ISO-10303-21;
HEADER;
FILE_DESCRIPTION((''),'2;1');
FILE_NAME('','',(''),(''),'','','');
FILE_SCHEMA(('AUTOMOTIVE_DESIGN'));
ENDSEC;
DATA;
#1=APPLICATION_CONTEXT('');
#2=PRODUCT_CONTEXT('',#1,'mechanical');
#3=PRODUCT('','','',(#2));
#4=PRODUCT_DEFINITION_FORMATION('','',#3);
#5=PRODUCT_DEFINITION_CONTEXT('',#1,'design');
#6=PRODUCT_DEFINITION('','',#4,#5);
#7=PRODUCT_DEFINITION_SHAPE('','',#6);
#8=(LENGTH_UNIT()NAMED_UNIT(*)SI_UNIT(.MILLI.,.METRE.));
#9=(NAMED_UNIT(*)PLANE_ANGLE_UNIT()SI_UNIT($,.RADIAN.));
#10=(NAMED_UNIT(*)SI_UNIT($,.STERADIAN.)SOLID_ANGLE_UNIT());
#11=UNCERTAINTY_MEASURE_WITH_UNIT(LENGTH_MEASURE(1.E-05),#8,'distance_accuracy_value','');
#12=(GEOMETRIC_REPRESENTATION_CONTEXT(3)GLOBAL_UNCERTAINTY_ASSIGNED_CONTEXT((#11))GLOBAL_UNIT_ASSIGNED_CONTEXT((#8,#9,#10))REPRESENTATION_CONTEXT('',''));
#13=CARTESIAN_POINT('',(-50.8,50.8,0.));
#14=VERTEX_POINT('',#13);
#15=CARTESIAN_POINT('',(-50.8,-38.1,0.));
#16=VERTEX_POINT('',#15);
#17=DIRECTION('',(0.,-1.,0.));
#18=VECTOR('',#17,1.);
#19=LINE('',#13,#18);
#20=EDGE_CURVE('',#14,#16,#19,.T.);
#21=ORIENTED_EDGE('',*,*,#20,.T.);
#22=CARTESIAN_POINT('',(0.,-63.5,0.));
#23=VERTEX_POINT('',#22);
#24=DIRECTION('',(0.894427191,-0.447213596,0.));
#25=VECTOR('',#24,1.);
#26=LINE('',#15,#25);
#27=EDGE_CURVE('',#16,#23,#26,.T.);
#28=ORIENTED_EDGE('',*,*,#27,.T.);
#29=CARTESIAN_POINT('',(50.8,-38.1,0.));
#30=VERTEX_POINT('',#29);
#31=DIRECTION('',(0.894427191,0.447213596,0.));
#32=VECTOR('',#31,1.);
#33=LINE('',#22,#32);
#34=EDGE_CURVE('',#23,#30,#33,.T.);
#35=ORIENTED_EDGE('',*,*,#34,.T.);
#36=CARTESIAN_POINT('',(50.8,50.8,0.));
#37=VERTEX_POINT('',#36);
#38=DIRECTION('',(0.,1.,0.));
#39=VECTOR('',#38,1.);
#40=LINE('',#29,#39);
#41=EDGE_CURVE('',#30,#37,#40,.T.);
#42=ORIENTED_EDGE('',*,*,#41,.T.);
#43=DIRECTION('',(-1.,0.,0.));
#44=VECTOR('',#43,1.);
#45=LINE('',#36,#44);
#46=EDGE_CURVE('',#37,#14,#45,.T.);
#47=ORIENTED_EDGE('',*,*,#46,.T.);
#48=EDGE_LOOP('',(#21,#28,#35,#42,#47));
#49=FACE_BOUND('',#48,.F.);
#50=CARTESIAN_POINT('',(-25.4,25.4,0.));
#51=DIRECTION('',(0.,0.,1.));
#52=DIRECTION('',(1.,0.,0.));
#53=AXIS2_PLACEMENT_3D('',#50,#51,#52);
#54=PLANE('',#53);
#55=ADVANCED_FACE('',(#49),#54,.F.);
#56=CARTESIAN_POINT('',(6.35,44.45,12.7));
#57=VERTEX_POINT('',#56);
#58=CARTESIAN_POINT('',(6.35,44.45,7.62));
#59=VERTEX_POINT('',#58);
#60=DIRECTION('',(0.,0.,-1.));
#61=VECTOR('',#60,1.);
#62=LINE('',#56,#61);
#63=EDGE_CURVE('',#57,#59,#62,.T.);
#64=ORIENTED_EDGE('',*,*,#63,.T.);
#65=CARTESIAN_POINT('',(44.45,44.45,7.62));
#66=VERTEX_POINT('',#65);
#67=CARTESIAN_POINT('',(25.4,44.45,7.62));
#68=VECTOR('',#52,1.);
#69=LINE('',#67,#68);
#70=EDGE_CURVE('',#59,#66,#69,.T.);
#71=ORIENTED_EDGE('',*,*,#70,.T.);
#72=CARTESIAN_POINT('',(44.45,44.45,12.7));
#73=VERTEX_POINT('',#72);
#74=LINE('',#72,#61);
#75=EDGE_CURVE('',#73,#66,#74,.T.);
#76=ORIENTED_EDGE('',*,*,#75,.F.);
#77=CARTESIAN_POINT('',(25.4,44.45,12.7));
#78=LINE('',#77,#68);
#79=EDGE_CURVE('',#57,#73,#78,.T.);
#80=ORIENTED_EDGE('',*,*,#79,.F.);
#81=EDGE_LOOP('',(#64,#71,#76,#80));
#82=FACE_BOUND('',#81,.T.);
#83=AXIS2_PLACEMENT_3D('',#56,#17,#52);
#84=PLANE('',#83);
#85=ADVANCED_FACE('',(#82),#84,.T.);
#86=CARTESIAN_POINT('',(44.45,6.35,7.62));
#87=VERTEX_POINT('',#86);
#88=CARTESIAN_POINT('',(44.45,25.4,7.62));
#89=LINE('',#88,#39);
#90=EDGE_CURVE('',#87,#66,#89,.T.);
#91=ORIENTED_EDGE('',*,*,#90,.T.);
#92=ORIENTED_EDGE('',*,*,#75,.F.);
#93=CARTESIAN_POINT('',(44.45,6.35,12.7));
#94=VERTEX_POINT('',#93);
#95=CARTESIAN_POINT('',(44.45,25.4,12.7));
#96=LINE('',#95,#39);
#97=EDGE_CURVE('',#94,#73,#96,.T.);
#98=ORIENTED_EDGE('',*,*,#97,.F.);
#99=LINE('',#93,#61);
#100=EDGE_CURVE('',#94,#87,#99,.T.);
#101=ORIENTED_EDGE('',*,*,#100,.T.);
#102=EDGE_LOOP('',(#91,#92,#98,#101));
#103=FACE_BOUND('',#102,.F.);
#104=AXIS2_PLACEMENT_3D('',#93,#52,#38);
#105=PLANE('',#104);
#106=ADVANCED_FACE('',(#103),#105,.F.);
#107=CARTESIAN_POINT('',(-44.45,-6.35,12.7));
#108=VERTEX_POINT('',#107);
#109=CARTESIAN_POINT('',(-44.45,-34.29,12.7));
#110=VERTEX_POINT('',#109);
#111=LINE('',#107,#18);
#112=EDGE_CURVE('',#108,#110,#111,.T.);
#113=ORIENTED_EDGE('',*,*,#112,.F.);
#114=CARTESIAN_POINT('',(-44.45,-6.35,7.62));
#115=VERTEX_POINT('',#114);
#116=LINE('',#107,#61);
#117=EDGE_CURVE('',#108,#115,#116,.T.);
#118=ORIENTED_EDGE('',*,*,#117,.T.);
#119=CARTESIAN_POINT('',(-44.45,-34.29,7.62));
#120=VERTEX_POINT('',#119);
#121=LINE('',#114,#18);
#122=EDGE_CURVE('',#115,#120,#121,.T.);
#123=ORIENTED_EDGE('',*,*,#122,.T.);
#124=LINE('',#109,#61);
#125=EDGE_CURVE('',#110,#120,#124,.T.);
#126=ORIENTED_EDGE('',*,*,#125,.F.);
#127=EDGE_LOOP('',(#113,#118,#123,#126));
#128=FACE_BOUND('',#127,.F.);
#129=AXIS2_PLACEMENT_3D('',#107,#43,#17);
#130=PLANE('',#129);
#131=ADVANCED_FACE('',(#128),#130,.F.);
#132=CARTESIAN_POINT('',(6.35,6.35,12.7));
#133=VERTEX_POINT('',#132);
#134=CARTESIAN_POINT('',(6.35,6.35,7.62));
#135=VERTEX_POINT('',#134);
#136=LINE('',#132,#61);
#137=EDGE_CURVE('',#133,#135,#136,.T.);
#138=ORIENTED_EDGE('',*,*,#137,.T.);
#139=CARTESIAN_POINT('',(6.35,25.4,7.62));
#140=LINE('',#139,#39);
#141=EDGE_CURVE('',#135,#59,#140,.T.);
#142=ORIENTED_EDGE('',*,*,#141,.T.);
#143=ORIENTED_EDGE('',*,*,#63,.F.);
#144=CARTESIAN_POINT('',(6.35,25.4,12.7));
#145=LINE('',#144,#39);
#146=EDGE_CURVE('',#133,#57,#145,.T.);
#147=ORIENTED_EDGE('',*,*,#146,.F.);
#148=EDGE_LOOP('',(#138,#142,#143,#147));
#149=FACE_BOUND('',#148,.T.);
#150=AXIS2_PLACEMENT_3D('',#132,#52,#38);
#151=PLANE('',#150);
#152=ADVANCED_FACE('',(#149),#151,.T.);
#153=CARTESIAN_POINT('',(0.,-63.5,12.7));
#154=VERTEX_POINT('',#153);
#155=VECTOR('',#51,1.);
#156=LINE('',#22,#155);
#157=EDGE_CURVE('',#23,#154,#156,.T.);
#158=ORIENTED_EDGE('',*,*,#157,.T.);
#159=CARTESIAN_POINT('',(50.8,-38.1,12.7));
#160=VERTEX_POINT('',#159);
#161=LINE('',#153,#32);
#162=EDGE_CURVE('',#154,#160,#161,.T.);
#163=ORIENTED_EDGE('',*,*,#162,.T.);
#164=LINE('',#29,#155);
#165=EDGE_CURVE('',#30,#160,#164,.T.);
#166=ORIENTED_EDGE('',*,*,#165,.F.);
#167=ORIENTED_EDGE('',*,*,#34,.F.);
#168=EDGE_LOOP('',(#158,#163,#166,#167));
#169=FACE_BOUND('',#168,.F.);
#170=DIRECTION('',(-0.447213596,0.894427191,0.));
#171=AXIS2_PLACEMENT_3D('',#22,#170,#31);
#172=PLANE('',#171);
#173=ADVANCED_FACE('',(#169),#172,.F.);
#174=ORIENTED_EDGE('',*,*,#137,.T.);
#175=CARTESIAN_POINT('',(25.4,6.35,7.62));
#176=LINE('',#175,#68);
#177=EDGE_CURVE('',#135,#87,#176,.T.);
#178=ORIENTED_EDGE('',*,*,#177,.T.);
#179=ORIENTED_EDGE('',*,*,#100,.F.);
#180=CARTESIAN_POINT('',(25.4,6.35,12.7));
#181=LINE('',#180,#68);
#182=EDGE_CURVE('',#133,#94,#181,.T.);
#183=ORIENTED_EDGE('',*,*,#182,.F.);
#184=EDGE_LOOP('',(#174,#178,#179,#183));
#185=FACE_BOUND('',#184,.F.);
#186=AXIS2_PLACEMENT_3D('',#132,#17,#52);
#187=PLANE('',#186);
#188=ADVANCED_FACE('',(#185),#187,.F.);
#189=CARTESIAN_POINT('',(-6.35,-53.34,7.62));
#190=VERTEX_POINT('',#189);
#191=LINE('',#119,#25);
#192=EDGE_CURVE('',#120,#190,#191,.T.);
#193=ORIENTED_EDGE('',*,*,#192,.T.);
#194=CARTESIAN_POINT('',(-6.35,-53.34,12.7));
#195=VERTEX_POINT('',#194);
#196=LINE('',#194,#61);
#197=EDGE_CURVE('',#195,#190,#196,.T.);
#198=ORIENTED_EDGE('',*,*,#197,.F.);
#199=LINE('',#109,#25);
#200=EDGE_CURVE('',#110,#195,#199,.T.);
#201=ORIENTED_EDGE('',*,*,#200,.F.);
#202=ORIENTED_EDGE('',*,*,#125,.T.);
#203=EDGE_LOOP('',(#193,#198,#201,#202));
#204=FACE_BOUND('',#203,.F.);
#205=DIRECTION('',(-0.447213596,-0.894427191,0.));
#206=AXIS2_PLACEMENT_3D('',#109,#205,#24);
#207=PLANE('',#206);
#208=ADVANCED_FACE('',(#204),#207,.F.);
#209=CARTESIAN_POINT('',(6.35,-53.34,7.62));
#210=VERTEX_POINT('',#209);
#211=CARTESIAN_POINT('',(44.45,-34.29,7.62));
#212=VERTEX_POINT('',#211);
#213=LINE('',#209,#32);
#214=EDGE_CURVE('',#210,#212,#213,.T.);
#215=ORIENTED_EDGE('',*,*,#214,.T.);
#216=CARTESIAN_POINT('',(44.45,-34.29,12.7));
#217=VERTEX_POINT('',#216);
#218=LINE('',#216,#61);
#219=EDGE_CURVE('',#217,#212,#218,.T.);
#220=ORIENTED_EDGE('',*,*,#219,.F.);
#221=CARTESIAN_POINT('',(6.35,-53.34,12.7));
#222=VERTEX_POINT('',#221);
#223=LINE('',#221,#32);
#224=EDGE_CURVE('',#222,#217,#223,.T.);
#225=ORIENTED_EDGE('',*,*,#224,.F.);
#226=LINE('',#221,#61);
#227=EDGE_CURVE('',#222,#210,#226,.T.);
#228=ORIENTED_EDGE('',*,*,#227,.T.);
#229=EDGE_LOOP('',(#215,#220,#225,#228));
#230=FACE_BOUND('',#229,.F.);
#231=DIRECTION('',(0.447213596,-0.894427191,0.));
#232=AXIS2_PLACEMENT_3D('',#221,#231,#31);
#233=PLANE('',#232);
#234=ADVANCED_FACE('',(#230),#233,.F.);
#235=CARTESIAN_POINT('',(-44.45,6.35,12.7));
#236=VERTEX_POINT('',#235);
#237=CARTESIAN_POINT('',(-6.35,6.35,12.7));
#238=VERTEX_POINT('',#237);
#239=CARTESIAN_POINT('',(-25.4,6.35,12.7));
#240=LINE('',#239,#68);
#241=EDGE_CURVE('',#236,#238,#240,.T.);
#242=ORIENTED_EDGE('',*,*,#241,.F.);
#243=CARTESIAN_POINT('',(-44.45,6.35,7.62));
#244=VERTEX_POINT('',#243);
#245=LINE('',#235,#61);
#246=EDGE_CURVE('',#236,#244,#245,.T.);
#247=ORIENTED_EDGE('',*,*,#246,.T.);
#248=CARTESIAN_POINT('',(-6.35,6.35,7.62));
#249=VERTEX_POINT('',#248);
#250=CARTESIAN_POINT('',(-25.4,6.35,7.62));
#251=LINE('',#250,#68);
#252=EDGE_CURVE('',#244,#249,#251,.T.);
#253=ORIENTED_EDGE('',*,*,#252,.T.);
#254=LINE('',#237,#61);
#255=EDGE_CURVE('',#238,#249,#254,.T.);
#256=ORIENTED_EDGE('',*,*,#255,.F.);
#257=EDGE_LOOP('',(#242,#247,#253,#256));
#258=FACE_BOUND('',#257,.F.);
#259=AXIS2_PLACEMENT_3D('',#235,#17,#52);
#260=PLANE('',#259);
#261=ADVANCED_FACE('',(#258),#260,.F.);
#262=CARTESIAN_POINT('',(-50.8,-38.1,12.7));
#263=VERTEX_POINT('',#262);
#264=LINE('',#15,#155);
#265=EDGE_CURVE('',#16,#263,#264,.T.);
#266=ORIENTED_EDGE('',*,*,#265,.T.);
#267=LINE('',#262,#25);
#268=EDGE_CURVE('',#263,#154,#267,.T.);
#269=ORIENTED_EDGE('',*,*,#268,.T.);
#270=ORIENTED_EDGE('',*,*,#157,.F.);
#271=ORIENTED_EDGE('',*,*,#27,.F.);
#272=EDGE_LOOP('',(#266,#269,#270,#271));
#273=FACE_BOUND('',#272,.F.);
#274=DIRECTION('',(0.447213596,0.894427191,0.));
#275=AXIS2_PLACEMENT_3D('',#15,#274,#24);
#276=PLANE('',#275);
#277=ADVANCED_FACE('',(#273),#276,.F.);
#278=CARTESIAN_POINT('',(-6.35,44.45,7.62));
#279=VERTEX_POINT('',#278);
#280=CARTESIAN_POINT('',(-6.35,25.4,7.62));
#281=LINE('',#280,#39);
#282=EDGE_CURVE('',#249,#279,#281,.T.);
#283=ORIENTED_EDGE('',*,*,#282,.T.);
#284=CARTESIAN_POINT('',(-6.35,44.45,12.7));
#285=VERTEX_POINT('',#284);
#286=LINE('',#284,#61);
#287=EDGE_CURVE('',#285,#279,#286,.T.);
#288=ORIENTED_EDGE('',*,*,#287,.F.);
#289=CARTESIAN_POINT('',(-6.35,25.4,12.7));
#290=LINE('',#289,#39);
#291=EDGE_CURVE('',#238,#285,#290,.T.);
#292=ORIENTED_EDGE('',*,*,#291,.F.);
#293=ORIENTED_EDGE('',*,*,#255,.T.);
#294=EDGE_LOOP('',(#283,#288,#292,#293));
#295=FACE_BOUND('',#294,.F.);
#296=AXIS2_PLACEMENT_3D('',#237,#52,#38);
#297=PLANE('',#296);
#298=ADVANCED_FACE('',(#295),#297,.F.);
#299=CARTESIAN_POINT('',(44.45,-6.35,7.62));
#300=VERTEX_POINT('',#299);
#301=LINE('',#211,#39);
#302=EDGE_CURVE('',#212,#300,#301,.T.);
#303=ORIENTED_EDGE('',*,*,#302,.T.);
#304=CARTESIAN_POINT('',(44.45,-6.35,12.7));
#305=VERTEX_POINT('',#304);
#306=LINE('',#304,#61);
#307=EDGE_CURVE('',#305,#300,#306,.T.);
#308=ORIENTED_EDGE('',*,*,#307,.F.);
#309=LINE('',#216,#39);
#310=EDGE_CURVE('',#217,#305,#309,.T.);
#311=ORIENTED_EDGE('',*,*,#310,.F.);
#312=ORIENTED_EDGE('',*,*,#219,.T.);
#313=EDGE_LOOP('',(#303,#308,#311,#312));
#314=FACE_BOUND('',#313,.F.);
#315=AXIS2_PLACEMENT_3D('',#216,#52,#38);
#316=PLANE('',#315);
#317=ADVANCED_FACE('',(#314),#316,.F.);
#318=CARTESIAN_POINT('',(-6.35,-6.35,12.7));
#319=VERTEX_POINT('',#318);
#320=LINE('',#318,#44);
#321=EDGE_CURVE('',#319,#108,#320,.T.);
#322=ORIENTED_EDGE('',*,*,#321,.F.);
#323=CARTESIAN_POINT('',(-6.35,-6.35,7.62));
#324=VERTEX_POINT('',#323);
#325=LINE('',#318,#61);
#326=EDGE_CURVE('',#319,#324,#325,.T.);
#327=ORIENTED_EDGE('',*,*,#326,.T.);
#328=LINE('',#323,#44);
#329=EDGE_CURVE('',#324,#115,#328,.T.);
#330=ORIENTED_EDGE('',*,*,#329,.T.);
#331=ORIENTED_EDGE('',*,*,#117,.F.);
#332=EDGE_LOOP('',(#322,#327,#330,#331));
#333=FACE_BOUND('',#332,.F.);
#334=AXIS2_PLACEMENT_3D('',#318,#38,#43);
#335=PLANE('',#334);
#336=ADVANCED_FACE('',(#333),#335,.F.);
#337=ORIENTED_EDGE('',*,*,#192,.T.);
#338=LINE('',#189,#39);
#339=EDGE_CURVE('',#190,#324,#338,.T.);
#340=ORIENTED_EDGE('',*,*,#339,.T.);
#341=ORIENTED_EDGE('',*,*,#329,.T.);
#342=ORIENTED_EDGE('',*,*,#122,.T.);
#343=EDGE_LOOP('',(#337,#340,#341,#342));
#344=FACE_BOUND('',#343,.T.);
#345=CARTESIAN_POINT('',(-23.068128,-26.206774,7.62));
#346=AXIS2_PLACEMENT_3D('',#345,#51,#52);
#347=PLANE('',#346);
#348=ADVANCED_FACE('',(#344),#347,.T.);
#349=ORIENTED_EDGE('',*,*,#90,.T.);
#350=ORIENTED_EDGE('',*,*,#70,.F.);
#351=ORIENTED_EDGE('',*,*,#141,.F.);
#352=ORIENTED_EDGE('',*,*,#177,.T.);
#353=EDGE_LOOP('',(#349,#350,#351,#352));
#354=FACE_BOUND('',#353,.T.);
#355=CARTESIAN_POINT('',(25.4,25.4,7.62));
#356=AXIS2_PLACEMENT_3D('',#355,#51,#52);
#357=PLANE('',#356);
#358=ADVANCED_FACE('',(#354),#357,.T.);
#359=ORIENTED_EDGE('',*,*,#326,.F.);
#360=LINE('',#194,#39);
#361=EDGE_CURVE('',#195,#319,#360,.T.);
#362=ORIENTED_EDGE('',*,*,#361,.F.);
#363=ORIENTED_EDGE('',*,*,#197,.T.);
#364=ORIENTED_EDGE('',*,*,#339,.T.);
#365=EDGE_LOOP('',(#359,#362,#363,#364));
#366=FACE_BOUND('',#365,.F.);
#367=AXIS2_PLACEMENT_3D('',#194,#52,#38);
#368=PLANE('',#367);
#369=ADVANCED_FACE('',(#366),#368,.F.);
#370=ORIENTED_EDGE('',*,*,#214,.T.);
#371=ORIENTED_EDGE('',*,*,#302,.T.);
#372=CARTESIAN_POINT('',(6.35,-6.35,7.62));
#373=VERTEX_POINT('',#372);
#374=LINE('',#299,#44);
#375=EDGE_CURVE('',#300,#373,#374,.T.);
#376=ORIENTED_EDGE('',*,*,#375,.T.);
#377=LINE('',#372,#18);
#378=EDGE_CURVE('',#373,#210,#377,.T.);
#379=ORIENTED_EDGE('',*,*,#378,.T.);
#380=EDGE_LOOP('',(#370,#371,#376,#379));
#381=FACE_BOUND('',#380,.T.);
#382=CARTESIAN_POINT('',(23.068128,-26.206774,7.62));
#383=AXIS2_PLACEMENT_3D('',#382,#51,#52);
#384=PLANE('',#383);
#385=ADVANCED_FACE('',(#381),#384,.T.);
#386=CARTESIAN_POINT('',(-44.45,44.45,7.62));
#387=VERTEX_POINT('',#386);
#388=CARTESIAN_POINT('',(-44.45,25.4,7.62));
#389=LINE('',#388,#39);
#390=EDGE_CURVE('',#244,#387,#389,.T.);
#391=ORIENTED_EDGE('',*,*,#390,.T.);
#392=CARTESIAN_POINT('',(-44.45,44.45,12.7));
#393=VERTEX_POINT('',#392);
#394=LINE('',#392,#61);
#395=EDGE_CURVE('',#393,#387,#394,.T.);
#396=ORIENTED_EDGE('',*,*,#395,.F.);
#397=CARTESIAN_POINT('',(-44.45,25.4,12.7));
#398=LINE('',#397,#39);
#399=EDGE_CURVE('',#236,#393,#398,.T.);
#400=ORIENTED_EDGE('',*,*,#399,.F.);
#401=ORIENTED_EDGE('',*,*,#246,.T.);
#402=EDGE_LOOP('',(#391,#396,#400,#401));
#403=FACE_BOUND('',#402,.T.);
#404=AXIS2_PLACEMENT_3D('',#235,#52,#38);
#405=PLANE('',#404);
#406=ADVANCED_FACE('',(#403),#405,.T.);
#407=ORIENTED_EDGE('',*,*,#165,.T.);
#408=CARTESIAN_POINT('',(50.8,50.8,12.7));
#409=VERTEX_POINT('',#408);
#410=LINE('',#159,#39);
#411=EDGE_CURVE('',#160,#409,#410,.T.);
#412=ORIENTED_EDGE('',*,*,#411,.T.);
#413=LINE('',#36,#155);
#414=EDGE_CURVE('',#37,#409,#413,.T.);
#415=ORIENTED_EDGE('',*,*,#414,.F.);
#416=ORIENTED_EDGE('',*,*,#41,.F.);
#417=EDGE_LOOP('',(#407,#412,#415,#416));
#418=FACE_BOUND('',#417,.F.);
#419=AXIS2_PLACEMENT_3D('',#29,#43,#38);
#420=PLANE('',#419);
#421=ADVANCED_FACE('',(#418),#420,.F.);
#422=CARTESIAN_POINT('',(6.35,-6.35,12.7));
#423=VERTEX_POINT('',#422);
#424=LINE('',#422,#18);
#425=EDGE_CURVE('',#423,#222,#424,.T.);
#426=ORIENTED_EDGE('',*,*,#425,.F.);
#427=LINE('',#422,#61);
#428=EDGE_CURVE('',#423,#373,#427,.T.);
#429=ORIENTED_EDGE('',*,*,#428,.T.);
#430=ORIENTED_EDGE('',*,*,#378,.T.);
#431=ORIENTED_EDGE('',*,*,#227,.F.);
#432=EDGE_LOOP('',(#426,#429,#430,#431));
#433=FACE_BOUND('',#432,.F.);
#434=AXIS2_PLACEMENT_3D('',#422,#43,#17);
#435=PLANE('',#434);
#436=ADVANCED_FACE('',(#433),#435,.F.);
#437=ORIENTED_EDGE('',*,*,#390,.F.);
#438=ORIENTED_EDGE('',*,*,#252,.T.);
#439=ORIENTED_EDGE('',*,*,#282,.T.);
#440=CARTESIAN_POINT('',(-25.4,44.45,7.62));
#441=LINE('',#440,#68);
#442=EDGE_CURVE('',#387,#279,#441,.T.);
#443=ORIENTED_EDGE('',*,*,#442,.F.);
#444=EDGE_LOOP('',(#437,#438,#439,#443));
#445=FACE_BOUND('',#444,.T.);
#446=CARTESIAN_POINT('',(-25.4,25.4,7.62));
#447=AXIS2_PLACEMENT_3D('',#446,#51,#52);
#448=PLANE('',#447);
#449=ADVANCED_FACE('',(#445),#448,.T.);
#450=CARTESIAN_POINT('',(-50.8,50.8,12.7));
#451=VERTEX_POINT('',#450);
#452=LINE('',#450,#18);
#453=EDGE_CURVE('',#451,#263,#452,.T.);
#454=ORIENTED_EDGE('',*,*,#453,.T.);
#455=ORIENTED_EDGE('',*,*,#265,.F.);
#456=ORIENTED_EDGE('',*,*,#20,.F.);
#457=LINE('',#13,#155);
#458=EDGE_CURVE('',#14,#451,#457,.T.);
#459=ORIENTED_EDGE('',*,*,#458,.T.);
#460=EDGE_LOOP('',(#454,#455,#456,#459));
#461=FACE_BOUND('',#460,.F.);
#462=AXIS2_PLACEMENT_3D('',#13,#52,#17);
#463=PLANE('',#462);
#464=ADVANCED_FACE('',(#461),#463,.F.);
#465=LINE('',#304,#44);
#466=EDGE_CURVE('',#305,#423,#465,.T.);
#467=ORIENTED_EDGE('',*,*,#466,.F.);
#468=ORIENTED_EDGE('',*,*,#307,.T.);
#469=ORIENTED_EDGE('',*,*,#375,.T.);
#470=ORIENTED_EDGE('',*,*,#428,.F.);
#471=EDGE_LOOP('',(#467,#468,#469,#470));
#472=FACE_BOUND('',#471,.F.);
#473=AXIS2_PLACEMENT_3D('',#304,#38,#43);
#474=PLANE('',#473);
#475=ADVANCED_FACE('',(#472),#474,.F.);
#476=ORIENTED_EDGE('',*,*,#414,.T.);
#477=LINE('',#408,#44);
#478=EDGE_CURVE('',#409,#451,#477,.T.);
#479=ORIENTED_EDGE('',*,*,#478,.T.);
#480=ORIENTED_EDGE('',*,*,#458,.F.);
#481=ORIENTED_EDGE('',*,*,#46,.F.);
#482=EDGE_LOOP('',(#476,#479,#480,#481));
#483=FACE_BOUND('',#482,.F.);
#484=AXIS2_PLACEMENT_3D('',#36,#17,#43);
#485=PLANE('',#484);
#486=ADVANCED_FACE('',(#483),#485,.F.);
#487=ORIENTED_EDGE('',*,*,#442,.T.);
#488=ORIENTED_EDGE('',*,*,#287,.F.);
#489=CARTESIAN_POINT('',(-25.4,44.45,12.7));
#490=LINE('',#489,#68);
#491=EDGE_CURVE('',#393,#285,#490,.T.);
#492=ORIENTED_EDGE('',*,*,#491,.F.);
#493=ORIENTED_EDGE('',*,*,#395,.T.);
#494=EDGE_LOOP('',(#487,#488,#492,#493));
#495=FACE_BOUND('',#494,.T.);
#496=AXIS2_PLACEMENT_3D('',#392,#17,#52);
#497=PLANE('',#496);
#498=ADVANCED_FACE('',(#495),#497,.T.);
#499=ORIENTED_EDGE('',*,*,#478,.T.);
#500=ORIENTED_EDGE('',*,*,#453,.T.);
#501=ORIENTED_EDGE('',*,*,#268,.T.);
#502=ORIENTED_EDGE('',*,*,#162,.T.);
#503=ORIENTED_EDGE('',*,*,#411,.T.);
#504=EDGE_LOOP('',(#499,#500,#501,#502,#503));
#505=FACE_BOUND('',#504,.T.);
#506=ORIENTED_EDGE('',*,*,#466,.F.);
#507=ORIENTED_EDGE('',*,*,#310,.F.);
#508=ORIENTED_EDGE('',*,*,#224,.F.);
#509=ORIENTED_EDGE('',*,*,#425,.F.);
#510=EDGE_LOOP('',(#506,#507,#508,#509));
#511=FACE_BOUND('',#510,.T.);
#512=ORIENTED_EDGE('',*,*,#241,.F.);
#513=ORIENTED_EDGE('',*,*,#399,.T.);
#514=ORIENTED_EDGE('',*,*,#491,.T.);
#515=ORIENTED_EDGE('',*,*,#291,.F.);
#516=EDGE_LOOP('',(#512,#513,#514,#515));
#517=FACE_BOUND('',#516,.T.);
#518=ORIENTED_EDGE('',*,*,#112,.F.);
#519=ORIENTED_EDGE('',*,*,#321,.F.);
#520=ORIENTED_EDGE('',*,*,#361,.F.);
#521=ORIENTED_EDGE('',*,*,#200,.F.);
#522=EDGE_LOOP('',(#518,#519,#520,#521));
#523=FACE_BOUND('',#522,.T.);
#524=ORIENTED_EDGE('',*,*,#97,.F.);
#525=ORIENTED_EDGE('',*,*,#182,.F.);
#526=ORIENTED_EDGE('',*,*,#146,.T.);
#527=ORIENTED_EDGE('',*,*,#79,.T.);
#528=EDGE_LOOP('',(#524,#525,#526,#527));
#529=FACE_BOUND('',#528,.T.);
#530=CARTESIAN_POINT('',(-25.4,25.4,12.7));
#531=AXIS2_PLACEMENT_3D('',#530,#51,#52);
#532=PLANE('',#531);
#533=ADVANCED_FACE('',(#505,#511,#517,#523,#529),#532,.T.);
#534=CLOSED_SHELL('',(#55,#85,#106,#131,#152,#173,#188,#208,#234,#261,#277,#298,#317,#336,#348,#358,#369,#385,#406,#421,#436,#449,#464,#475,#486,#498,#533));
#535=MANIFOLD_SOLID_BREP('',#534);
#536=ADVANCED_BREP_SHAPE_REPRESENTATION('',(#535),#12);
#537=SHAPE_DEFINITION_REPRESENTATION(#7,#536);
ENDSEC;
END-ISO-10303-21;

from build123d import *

# Parameters (mm, degrees)
F0_W     = 50.8
F0_H     = 50.8
F1_DEPTH = 12.7
F2_W     = 38.1
F2_H     = 38.1
F4_DEPTH = 5.08
F5_DEPTH = 5.08


with BuildPart() as f1:
    # F0 (on Top) → F1 (new body)
    with BuildSketch(Plane.XY):
        with Locations((-25.4, 25.4)):
            Rectangle(F0_W, F0_H)
        with Locations((25.4, 25.4)):
            Rectangle(F0_W, F0_H)
        Polygon((50.8, 0), (0, 0), (0, -63.5), (50.8, -38.1), align=None)
        Polygon((0, -63.5), (0, 0), (-50.8, 0), (-50.8, -38.1), align=None)
    extrude(amount=F1_DEPTH)

    # F2 (on face) → F4 (cut)
    with BuildSketch(Plane.XY.offset(12.7)):
        with Locations((-25.4, 25.4)):
            Rectangle(F2_W, F2_H)
        with Locations((25.4, 25.4)):
            Rectangle(F2_W, F2_H)
    extrude(amount=-F4_DEPTH, mode=Mode.SUBTRACT)

    # F3 (on face) → F5 (cut)
    with BuildSketch(Plane.XY.offset(12.7)):
        Polygon((-6.35, -6.35), (-44.45, -6.35), (-44.45, -34.29), (-6.35, -53.34), align=None)
        Polygon((6.35, -6.35), (6.35, -53.34), (44.45, -34.29), (44.45, -6.35), align=None)
    extrude(amount=-F5_DEPTH, mode=Mode.SUBTRACT)


solid = f1.part
